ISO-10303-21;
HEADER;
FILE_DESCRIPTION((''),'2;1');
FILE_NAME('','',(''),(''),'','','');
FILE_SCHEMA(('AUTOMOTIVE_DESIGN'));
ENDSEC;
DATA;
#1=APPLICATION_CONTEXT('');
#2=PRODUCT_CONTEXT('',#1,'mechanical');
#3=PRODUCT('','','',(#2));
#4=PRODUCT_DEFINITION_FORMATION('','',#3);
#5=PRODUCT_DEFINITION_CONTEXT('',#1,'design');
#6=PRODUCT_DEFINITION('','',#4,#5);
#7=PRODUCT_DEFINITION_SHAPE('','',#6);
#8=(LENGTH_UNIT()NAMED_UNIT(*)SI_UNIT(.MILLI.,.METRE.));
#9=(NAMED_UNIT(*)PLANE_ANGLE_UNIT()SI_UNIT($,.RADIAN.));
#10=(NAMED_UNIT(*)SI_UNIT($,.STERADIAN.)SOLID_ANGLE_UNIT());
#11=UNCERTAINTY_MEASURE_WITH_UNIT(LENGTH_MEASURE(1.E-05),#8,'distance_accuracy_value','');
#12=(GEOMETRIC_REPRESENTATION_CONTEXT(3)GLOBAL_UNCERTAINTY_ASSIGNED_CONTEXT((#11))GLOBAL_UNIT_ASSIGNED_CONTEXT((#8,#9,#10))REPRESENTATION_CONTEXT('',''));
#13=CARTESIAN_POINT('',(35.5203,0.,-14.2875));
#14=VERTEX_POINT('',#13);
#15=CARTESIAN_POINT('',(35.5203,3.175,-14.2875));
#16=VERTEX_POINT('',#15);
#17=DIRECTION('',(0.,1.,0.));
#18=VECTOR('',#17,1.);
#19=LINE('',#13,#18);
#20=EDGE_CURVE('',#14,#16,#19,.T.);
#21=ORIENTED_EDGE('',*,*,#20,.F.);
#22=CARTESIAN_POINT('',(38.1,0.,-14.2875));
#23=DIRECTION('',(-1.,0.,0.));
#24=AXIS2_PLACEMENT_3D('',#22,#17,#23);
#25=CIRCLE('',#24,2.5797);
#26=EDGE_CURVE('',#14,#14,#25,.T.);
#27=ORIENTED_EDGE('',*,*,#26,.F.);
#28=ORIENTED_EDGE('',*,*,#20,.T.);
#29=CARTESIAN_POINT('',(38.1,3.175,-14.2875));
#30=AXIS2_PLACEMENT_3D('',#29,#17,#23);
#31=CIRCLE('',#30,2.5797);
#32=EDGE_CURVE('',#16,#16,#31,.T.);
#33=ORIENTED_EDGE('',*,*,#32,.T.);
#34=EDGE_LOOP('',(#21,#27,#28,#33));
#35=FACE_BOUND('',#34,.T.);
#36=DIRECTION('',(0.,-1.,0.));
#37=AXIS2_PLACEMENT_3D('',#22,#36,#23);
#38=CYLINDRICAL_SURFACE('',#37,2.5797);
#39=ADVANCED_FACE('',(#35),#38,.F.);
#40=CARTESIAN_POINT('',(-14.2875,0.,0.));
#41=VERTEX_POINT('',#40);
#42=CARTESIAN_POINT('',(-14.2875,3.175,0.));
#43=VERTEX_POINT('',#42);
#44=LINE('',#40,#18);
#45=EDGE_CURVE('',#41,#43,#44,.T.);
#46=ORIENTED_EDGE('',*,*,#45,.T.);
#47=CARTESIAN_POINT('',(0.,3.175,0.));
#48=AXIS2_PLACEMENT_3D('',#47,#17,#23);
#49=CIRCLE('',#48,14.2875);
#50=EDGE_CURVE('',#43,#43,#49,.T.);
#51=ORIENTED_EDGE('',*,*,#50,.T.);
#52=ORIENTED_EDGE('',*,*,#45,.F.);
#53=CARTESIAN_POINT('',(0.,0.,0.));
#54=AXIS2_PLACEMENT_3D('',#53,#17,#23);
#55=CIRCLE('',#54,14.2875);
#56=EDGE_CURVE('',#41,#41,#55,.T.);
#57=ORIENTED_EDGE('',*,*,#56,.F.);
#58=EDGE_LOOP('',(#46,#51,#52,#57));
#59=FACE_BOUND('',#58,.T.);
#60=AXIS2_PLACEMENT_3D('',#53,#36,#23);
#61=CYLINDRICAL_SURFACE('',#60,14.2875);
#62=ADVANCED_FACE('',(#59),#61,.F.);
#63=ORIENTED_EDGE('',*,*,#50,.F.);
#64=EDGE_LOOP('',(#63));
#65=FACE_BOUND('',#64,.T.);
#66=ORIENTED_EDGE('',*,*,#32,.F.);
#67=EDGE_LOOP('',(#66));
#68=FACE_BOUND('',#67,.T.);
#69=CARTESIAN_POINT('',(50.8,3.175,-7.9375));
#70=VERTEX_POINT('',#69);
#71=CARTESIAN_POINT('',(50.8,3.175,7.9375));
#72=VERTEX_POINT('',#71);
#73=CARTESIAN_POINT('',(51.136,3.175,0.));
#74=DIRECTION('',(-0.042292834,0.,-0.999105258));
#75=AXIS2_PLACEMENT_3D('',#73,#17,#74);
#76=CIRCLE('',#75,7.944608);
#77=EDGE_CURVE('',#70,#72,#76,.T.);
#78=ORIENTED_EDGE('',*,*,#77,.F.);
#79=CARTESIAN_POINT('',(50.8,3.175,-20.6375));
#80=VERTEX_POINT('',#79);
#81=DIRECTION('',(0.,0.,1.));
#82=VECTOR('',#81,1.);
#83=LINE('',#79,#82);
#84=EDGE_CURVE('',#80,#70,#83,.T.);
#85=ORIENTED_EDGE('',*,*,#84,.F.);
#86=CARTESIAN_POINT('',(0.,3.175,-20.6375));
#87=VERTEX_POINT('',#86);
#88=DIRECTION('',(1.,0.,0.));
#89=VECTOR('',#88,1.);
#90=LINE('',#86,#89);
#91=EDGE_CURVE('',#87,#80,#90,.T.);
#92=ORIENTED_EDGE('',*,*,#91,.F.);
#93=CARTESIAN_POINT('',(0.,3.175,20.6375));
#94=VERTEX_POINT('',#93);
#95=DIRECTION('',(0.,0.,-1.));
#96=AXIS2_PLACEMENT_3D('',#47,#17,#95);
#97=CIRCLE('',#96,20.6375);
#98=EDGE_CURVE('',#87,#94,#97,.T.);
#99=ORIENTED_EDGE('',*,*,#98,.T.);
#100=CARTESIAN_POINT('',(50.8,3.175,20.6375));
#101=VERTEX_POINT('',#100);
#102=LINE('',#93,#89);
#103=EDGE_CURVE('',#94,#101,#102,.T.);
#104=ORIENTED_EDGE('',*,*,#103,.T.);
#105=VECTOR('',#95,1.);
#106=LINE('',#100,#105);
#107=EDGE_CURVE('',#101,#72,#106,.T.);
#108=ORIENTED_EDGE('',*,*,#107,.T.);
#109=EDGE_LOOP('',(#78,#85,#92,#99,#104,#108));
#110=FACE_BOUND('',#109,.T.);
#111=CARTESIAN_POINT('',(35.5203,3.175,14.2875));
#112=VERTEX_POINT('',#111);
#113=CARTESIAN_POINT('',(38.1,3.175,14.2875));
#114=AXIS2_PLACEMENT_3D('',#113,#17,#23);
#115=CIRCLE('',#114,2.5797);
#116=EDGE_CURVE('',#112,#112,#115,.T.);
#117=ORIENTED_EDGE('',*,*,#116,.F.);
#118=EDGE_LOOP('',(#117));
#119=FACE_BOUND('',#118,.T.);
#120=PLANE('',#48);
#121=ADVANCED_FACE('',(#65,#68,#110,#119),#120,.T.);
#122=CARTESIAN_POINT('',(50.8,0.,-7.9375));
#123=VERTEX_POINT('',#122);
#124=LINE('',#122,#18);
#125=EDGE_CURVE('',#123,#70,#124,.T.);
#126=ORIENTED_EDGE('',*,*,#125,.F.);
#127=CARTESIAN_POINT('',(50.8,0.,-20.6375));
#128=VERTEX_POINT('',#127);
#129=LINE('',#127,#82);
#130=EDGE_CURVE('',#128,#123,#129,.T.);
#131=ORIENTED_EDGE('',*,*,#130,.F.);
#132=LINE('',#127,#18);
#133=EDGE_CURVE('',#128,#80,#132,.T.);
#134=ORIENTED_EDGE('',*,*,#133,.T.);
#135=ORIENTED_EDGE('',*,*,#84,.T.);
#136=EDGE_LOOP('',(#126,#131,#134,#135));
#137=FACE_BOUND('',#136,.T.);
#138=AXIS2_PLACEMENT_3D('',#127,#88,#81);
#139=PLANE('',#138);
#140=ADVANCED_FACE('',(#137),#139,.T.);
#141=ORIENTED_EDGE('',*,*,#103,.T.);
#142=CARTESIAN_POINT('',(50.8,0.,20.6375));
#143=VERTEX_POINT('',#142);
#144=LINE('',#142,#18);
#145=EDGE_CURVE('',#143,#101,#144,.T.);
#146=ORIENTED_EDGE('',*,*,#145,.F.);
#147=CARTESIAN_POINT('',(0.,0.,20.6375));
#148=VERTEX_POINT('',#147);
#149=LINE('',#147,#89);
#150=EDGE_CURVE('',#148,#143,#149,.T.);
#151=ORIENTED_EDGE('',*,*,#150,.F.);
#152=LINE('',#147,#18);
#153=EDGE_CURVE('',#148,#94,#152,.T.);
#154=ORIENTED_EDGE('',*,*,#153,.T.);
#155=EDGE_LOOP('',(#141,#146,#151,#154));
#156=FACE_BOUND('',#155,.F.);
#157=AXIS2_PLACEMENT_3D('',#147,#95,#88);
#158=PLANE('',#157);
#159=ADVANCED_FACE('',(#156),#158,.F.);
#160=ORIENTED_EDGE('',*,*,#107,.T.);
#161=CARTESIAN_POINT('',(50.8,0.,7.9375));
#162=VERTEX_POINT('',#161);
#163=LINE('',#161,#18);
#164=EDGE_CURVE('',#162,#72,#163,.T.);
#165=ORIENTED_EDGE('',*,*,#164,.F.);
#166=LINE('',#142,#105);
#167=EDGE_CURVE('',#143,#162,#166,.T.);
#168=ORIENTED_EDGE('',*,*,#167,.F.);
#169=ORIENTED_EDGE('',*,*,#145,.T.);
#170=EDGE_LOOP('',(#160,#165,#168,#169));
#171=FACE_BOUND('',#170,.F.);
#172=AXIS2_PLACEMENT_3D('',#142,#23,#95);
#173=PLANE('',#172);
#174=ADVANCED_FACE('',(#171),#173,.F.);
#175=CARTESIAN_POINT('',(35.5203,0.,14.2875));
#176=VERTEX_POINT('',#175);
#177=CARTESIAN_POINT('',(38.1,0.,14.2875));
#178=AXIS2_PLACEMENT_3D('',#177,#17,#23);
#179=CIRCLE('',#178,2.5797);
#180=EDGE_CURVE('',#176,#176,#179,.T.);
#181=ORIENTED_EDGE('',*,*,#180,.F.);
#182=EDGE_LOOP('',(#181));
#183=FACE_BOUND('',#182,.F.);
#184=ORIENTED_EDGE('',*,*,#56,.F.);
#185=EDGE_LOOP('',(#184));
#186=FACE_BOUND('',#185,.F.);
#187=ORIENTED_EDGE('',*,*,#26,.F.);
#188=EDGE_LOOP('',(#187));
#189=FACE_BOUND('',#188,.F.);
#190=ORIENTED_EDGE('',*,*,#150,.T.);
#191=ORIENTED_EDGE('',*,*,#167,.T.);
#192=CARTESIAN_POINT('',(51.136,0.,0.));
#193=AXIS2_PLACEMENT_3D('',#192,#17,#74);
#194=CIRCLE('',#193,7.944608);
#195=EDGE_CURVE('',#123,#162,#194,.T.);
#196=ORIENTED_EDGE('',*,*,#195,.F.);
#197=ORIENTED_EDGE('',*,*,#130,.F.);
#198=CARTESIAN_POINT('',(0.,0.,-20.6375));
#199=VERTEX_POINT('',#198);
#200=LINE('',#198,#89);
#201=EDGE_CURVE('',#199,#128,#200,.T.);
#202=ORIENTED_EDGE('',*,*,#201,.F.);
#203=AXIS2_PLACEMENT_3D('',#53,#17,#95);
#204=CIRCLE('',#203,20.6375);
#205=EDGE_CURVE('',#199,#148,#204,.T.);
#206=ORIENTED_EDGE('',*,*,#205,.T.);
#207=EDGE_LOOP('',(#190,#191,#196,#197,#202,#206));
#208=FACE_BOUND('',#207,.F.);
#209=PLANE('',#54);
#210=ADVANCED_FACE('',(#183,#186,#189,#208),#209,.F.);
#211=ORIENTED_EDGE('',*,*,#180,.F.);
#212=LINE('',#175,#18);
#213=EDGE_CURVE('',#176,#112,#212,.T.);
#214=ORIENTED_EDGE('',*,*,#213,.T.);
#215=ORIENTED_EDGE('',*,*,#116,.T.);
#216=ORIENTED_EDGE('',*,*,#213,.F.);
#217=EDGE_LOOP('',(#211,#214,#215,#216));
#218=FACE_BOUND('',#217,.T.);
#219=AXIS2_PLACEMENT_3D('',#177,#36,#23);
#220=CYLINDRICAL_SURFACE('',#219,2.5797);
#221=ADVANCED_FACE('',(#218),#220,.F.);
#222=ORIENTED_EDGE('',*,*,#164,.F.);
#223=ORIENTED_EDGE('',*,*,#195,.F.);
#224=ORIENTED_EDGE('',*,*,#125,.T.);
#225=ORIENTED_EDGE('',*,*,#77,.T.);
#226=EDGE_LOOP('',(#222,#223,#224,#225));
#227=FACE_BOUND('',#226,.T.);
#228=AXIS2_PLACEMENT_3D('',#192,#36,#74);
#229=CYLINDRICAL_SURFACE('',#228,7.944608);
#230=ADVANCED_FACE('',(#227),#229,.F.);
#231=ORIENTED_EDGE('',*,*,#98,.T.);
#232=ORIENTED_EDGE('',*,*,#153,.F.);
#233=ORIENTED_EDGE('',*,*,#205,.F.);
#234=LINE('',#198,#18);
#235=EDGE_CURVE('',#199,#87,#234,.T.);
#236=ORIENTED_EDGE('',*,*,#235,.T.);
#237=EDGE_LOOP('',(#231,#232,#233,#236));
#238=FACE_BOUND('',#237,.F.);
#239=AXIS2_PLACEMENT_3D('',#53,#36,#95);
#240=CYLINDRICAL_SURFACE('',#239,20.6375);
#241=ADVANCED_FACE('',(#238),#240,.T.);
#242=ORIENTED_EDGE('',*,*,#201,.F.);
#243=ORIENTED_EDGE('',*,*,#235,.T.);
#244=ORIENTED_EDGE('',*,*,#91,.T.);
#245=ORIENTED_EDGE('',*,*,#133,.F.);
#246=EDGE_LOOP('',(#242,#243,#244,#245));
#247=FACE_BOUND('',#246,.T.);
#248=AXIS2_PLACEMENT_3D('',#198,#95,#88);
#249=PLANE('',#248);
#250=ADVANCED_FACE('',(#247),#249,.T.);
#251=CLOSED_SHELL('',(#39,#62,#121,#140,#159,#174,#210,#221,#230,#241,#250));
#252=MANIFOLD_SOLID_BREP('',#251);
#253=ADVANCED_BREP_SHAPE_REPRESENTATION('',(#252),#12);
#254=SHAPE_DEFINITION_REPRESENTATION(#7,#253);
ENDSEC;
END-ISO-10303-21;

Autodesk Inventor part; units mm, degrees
ref_plane "YZ Plane" through (0, 0, 0) normal (1, 0, 0) x (0, 1, 0)
ref_plane "XZ Plane" through (0, 0, 0) normal (0, 1, 0) x (-1, 0, 0)
ref_plane "XY Plane" through (0, 0, 0) normal (0, 0, 1) x (1, 0, 0)
sketch "Sketch1" plane through (0, 0, 0) normal (0, 1, 0) x (-1, 0, 0)
  circle A0 centre (0, 0) radius 14.2875
  arc A1 (0, -20.6375) -> (0, 20.6375) centre (0, 0) ccw
  line L0 (0, 20.6375) -> (-50.8, 20.6375)
  line L1 (0, -20.6375) -> (-50.8, -20.6375)
  line L2 (-50.8, -20.6375) -> (-50.8, -7.9375)
  line L3 (-50.8, 20.6375) -> (-50.8, 7.9375)
  arc A2 (-50.8, -7.9375) -> (-50.8, 7.9375) centre (-51.136, 0) ccw
  line L4 (-50.8, 14.2875) -> (-38.1, 14.2875) construction
  line L5 (-50.8, -14.2875) -> (-38.1, -14.2875) construction
  circle A3 centre (-38.1, -14.2875) radius 2.5797
  circle A4 centre (-38.1, 14.2875) radius 2.5797
  dimension "d0" = 28.575
  dimension "d1" = 6.35
  dimension "d2" = 50.8
  dimension "d3" = 50.8
  dimension "d4" = 12.7
  dimension "d5" = 12.7
  dimension "d6" = 12.7
  dimension "d7" = 5.1594
  dimension "d8" = 5.1594
extrude "Extrusion1" add sketch "Sketch1" along normal blind 3.175
properties part number "motor connector"
